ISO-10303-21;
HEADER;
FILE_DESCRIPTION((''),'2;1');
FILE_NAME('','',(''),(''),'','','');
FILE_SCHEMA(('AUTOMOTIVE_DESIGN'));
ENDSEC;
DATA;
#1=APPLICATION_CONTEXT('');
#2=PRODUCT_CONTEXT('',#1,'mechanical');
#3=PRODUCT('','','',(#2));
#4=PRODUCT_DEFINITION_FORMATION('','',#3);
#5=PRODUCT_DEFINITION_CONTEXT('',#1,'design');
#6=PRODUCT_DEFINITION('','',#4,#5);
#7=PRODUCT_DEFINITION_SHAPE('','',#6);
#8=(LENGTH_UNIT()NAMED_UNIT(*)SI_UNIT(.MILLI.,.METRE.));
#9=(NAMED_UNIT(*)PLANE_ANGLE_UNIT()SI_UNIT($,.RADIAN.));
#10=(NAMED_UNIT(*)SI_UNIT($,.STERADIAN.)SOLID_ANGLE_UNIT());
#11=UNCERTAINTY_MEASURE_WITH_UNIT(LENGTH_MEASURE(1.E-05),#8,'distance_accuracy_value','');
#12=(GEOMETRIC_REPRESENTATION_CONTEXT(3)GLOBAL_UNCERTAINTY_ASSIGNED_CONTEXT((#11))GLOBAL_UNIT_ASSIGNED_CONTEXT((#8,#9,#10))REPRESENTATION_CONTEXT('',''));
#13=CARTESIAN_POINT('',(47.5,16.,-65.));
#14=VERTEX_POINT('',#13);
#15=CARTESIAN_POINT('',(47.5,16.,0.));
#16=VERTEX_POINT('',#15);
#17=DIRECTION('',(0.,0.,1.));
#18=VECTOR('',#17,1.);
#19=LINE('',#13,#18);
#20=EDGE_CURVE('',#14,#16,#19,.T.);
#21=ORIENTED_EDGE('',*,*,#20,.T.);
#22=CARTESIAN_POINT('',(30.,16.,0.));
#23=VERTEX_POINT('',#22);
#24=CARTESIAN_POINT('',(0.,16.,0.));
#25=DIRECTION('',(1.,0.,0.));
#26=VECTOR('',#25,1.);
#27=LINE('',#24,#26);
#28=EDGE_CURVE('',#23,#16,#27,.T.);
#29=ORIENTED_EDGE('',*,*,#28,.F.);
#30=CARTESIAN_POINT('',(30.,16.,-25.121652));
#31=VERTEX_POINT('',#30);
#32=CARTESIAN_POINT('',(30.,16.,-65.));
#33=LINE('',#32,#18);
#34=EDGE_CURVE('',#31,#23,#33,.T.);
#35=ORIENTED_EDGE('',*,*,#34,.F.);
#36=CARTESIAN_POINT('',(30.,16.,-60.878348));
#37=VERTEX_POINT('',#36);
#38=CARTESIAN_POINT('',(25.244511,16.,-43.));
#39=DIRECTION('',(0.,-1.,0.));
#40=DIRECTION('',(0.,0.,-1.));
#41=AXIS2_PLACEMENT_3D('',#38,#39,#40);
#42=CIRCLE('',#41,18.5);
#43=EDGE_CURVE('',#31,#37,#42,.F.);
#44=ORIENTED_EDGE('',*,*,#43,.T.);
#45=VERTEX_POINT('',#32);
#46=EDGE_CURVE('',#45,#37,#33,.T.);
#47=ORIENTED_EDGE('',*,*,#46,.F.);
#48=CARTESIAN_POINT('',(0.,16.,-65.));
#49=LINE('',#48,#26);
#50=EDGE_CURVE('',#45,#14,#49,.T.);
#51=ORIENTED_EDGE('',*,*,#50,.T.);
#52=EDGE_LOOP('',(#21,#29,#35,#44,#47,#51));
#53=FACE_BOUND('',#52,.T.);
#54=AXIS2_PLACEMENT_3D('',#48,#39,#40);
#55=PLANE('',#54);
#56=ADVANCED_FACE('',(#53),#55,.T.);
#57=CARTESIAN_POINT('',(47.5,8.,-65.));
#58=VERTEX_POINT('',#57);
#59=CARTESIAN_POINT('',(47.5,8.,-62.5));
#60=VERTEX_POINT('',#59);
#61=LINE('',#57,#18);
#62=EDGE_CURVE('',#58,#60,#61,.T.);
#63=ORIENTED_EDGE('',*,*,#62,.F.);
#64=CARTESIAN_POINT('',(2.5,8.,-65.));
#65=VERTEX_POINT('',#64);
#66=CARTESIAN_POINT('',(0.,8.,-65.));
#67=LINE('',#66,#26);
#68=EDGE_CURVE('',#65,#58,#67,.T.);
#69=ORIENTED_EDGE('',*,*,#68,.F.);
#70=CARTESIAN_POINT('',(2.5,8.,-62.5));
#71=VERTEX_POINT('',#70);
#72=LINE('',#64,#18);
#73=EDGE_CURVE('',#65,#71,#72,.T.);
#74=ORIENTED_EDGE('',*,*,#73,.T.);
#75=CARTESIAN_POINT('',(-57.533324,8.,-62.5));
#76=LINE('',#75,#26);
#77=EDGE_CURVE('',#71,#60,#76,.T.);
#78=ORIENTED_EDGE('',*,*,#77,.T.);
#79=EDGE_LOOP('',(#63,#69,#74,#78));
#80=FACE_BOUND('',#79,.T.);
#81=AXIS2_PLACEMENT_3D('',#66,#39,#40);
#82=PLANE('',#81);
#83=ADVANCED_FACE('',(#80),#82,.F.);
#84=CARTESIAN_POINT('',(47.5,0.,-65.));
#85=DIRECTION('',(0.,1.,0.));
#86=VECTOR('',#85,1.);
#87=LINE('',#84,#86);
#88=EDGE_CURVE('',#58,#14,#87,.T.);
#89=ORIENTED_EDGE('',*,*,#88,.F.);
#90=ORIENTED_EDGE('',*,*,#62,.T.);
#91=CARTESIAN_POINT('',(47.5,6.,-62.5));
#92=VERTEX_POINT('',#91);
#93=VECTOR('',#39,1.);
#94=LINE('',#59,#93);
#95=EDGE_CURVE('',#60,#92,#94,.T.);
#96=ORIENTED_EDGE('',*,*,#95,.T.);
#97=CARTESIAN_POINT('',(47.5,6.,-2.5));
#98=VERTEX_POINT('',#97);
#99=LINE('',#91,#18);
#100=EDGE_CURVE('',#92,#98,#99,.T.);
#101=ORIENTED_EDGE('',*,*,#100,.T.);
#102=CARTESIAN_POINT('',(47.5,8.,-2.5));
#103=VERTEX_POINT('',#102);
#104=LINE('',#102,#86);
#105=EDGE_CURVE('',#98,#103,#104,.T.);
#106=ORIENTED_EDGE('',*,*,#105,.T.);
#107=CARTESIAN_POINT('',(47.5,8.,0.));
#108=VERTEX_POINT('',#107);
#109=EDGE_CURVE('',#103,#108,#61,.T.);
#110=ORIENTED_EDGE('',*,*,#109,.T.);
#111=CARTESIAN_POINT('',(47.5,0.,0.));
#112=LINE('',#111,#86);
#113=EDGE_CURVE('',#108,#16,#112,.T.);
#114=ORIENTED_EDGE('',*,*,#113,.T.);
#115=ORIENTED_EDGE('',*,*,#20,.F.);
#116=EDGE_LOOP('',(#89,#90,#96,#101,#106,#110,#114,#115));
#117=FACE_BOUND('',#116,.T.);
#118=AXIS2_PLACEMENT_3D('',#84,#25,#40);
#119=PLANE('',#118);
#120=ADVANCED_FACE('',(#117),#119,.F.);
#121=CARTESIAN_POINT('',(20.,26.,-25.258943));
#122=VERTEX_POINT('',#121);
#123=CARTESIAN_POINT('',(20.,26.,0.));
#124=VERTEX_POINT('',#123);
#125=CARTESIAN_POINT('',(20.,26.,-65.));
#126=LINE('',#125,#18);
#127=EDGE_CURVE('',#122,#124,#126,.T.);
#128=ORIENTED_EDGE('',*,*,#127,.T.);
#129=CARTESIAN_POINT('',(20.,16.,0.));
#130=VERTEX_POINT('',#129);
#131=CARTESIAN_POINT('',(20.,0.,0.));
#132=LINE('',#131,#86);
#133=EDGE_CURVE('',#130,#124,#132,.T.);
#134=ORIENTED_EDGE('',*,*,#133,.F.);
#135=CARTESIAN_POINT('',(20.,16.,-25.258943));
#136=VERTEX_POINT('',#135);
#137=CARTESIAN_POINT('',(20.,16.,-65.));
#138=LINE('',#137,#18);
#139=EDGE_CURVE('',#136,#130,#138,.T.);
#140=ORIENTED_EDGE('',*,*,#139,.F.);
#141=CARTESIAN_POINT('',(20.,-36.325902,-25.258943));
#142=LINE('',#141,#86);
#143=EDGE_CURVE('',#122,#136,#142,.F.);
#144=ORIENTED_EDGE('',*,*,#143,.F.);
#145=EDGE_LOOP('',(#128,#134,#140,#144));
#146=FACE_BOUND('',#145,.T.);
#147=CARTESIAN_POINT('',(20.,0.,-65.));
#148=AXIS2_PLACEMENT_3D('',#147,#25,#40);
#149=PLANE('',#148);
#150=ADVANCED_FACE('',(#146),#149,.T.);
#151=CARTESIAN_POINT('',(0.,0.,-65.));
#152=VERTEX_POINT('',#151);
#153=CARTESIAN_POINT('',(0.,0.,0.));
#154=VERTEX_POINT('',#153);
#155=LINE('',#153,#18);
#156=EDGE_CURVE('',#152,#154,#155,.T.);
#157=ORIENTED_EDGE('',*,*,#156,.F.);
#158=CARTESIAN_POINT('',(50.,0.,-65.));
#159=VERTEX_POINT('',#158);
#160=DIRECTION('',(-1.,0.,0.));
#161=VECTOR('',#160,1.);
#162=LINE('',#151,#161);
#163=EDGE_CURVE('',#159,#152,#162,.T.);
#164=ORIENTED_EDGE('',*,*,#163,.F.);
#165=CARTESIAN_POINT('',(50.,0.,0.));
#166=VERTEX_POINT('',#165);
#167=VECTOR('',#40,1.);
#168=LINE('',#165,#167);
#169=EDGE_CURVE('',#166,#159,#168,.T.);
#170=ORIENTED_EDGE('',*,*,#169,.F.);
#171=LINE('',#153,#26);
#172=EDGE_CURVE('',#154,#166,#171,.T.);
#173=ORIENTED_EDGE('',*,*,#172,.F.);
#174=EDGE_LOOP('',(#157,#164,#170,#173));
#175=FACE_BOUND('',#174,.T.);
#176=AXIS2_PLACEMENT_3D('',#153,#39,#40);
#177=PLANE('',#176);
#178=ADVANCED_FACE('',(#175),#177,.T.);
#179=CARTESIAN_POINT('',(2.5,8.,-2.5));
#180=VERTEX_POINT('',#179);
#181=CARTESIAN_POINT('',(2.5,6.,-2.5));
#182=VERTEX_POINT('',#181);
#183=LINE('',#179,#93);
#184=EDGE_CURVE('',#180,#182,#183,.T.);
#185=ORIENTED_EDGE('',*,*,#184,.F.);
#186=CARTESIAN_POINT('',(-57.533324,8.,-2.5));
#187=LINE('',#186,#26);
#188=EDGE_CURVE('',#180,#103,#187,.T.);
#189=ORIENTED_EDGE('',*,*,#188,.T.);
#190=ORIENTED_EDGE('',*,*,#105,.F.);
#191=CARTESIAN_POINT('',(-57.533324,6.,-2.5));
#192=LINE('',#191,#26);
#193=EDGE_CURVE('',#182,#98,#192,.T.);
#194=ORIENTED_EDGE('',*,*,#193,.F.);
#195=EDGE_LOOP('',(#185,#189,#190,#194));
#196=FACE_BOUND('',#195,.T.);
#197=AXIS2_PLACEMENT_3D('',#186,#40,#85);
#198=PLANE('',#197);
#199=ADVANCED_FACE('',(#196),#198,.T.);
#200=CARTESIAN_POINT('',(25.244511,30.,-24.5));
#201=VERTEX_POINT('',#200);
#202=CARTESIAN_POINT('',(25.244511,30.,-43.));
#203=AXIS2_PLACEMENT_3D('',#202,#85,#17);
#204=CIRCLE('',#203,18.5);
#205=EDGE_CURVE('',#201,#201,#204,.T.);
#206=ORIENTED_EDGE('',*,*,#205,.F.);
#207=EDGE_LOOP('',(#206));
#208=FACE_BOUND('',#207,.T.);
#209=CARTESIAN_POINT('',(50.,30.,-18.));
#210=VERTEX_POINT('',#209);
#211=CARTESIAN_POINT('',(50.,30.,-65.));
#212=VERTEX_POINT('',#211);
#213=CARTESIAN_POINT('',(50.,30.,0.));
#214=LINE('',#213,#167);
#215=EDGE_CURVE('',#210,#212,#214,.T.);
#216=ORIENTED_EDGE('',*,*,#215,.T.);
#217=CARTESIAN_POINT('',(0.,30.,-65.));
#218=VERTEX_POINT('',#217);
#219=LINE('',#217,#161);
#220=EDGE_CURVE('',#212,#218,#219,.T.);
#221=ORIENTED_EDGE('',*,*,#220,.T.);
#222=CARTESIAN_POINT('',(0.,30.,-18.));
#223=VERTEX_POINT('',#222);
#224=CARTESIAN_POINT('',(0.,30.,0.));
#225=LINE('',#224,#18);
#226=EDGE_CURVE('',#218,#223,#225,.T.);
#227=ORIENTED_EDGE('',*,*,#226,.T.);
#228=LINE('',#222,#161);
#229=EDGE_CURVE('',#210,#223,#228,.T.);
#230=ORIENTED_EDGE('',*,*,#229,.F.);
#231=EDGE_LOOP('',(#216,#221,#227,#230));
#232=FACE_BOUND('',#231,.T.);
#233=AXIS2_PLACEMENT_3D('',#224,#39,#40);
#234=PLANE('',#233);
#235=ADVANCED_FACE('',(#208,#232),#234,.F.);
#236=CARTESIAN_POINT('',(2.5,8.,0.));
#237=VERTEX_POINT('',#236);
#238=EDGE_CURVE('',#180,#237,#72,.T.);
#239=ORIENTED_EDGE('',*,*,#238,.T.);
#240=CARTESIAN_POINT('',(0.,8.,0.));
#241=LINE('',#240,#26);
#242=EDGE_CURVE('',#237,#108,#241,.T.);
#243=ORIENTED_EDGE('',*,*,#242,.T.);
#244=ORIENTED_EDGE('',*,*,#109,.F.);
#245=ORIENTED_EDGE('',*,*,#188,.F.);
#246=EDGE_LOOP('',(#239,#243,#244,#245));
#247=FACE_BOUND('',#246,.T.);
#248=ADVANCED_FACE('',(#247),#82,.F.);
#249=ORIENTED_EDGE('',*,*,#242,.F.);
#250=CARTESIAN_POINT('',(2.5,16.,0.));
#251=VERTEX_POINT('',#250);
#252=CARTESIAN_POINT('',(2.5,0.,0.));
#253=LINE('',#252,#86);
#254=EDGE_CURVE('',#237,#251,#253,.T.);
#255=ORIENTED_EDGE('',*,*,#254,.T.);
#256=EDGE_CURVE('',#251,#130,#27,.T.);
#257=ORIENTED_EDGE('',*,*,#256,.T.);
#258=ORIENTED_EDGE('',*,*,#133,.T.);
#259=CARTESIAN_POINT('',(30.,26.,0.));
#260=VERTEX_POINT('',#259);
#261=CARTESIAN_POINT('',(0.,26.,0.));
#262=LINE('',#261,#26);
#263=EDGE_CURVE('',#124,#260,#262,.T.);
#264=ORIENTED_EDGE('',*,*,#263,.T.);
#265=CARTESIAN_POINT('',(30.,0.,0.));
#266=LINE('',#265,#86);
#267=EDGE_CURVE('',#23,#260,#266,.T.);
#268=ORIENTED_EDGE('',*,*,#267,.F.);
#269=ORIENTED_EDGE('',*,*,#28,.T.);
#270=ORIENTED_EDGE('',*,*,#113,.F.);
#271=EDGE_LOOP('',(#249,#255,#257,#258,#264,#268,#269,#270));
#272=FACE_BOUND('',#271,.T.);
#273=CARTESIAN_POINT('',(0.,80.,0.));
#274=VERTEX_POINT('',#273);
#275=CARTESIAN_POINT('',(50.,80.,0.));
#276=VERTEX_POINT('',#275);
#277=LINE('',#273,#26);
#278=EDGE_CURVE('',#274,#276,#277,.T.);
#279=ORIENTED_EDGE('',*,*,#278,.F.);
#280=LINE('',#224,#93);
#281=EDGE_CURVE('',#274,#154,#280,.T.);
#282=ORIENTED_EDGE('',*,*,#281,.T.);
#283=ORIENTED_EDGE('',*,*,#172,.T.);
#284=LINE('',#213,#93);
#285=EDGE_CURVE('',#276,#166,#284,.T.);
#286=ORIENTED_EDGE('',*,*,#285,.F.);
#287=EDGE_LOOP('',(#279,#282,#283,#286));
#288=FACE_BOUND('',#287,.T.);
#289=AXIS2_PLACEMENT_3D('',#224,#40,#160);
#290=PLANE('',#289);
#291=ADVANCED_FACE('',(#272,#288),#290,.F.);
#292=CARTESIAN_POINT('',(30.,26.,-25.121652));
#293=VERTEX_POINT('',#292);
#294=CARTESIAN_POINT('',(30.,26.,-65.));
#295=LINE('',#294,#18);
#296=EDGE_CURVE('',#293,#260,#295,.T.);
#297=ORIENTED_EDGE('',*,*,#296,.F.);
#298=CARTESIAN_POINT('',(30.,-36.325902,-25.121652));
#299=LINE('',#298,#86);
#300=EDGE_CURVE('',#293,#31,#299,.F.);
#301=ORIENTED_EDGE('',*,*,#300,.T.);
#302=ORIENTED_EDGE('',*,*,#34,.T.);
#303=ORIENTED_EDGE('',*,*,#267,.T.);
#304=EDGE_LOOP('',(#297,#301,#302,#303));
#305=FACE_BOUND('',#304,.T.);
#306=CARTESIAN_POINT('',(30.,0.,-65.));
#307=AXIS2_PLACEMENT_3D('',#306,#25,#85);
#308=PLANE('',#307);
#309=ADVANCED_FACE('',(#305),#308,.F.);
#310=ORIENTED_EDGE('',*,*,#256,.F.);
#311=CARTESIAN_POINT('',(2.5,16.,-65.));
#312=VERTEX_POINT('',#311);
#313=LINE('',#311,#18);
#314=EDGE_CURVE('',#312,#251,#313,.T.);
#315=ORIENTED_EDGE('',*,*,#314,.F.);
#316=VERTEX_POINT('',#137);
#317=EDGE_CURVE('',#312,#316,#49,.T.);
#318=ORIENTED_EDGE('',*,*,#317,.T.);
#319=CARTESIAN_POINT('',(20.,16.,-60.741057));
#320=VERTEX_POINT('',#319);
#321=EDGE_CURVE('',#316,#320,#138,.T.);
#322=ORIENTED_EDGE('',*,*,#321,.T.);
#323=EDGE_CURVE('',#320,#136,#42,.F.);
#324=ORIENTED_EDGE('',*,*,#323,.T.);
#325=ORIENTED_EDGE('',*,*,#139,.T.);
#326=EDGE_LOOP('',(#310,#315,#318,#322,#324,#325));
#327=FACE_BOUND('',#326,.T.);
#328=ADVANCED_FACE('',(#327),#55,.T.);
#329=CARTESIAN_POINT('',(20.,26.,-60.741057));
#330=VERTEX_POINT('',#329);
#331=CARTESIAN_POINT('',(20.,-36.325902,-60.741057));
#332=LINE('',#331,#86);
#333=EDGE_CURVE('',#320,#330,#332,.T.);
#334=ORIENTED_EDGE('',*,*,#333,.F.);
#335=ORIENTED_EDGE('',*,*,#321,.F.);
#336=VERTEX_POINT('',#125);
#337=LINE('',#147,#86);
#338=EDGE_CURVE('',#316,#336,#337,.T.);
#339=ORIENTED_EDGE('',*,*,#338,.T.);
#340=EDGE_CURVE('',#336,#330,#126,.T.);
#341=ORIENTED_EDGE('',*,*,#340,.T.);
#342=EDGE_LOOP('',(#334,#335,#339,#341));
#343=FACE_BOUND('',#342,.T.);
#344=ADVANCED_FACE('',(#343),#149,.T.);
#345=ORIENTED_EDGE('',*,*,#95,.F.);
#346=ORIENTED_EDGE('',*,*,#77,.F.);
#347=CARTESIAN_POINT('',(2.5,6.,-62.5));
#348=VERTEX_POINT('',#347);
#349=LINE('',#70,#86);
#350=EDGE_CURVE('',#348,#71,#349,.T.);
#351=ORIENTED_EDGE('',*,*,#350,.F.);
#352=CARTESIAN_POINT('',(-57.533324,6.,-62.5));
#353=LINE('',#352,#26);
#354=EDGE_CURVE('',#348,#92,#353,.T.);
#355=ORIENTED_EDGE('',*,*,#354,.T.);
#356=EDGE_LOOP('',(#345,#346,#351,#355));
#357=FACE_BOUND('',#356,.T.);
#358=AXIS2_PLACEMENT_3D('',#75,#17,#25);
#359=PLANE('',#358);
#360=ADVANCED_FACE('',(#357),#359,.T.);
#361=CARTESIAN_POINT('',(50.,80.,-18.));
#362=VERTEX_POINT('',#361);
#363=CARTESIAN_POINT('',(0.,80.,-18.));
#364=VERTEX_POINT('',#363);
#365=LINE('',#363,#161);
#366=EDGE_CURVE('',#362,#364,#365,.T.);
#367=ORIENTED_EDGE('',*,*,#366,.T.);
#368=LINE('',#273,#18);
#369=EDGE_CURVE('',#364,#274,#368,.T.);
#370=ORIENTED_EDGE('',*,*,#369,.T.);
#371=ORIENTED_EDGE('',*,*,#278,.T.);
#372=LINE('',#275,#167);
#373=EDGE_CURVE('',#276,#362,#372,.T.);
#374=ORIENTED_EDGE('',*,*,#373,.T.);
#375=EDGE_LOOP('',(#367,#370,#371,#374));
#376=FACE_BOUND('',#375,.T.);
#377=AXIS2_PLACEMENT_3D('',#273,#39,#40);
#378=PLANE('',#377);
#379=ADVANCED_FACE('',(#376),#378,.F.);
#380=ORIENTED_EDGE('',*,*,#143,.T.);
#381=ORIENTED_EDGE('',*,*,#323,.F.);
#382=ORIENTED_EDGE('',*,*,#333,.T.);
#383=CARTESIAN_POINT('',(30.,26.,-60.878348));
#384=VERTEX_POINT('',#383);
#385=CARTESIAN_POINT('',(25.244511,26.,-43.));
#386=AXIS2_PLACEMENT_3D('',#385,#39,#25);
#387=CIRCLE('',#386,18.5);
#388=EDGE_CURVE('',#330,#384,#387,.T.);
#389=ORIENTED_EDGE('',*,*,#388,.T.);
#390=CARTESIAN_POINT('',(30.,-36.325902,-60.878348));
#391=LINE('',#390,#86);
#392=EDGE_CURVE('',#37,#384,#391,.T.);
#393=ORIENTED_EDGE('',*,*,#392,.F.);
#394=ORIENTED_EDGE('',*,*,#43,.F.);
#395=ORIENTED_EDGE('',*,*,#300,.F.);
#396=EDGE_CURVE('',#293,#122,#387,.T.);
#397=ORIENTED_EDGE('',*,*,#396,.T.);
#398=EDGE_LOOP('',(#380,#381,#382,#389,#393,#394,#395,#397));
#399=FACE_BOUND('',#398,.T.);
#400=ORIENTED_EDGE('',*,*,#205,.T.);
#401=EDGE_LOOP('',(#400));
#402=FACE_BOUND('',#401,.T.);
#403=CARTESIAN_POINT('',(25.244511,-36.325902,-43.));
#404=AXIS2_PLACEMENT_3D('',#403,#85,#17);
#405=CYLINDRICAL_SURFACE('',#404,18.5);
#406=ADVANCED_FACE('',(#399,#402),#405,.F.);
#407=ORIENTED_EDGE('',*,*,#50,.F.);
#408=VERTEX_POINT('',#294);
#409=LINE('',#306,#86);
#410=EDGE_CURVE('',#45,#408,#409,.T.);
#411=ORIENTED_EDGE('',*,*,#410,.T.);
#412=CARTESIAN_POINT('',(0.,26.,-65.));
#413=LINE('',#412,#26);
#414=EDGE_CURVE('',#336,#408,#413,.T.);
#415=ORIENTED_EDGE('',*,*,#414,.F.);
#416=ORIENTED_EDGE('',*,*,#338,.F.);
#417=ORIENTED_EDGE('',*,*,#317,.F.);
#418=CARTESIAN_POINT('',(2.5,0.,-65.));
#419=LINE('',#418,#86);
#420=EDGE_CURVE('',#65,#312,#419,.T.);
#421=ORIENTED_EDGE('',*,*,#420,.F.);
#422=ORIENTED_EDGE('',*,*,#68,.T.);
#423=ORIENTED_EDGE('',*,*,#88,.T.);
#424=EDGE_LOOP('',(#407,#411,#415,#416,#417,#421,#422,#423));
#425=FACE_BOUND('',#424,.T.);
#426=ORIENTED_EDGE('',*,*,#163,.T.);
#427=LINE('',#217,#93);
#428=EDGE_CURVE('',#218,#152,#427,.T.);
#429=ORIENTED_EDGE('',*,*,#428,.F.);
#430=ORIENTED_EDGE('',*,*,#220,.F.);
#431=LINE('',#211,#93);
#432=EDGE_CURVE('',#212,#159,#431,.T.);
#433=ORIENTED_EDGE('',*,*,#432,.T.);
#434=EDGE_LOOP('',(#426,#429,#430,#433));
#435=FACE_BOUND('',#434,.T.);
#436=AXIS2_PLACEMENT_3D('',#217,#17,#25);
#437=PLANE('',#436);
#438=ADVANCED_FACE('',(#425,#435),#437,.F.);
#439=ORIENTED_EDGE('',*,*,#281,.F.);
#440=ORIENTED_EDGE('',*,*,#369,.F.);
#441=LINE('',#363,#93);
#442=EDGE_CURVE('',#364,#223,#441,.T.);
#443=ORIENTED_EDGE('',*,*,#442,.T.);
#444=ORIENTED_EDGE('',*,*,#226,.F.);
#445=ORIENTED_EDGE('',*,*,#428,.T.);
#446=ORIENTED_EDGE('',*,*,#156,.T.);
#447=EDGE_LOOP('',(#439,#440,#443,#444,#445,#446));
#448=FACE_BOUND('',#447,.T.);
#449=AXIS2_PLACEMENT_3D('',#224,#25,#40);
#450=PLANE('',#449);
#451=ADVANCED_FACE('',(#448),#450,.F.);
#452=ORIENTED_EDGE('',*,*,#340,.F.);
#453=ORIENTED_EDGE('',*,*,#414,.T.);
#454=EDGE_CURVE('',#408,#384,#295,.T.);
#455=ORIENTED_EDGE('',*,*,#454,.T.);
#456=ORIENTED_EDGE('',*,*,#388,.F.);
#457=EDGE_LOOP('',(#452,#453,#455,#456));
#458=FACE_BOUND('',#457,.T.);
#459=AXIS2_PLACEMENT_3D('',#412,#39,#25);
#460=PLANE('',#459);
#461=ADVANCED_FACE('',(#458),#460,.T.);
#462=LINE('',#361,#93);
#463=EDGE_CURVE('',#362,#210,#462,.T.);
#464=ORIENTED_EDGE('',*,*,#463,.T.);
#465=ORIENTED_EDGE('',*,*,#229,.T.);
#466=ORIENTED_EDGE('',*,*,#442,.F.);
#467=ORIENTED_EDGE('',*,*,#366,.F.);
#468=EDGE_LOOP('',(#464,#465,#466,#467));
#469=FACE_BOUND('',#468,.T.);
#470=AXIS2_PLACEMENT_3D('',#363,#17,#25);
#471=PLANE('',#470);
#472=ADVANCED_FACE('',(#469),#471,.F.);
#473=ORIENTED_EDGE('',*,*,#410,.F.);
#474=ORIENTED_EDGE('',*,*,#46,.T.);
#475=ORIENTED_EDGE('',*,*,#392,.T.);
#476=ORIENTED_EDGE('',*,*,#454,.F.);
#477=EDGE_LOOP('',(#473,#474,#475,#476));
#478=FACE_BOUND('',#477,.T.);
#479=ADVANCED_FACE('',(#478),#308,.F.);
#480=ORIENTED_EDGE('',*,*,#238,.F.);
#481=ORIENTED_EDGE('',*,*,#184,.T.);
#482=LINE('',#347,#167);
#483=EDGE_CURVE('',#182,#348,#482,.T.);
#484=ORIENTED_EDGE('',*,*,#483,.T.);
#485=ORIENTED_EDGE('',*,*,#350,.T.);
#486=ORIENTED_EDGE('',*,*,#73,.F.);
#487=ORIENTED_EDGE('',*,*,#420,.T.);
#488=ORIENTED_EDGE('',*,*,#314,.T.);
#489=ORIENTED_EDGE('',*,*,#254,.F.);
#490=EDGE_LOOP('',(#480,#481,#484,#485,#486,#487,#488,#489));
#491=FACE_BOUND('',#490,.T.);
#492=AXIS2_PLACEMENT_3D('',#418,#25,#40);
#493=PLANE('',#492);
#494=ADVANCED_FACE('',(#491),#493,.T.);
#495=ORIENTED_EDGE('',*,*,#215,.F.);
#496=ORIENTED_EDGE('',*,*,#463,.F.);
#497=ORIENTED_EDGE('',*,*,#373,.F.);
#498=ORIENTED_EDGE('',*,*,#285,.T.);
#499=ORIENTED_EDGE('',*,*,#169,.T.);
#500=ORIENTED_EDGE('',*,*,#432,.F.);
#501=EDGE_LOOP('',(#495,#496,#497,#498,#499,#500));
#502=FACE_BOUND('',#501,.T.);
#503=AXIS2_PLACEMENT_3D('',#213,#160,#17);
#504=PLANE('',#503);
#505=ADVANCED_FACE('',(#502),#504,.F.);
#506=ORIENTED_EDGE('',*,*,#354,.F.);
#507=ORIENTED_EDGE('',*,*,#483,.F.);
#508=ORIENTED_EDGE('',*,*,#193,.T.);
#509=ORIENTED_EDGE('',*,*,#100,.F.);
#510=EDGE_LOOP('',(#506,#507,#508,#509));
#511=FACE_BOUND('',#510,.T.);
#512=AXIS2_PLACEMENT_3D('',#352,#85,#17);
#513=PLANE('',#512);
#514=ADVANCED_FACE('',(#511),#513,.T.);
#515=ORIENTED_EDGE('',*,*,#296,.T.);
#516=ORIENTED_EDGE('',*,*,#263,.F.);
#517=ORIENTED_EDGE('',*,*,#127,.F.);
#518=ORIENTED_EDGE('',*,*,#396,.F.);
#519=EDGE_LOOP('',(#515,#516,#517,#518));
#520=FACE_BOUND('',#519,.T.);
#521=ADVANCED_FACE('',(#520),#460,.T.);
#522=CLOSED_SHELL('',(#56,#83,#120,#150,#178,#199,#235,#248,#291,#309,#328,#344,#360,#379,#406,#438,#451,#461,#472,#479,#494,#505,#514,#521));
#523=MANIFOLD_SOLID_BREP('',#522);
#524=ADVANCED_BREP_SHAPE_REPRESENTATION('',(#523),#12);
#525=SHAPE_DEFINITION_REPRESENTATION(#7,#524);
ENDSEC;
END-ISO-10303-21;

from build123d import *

# Parameters (mm, degrees)
SKETCH1_W           = 50
SKETCH1_H           = 65
BOSS_EXTRUDE1_DEPTH = 30
SKETCH3_W           = 10
SKETCH3_H           = 10
SKETCH3_W_2         = 45
SKETCH3_H_2         = 8
CUT_EXTRUDE4_DEPTH  = 88.321245983
SKETCH4_W           = 60
SKETCH4_H           = 2
CUT_EXTRUDE5_DEPTH  = 45
CUT_EXTRUDE6_REACH  = 89.321
SKETCH5_R           = 18.5
SKETCH6_W           = 50
SKETCH6_H           = 18
BOSS_EXTRUDE2_DEPTH = 50


with BuildPart() as part:
    # Sketch1 → Boss-Extrude1 (new body)
    with BuildSketch(Plane(origin=(0, 0, 0), x_dir=(1, 0, 0), z_dir=(0, 1, 0))):
        with Locations((25, 32.5)):
            Rectangle(SKETCH1_W, SKETCH1_H)
    extrude(amount=BOSS_EXTRUDE1_DEPTH)

    # Sketch3 → Cut-Extrude4 (cut, through all)
    with BuildSketch(Plane.XY):
        with Locations((25, 21)):
            Rectangle(SKETCH3_W, SKETCH3_H)
        with Locations((25, 12)):
            Rectangle(SKETCH3_W_2, SKETCH3_H_2)
    extrude(amount=-CUT_EXTRUDE4_DEPTH, mode=Mode.SUBTRACT)

    # Sketch4 → Cut-Extrude5 (cut)
    with BuildSketch(Plane.ZY.offset(-47.5)):
        with Locations((-32.5, 7)):
            Rectangle(SKETCH4_W, SKETCH4_H)
    extrude(amount=CUT_EXTRUDE5_DEPTH, mode=Mode.SUBTRACT)

    # Cut-Extrude6: up to this face of the body (flat: up to its plane)
    cut_extrude6_end = Plane(part.part.faces().sort_by_distance((11.25, 16, -32.5))[0])
    # Sketch5 → Cut-Extrude6 (cut, up to the picked face)
    with BuildSketch(Plane(origin=(0, 30, 0), x_dir=(1, 0, 0), z_dir=(0, 1, 0)), mode=Mode.PRIVATE) as cut_extrude6_sk1:
        with Locations(Location((25.244510865, 43, 0), (0, 0, 270))):
            Circle(SKETCH5_R)
    cut_extrude6_tool1 = split(extrude(cut_extrude6_sk1.sketch, amount=-CUT_EXTRUDE6_REACH, mode=Mode.PRIVATE), bisect_by=cut_extrude6_end, keep=Keep.BOTH, mode=Mode.PRIVATE)
    add(cut_extrude6_tool1.solids().sort_by(Axis((25.244511, 30, -43), (0, -1, 0)))[0], mode=Mode.SUBTRACT)

    # Sketch6 → Boss-Extrude2 (add)
    with BuildSketch(Plane(origin=(0, 30, 0), x_dir=(1, 0, 0), z_dir=(0, 1, 0))):
        with Locations((25, 9)):
            Rectangle(SKETCH6_W, SKETCH6_H)
    extrude(amount=BOSS_EXTRUDE2_DEPTH)


solid = part.part
